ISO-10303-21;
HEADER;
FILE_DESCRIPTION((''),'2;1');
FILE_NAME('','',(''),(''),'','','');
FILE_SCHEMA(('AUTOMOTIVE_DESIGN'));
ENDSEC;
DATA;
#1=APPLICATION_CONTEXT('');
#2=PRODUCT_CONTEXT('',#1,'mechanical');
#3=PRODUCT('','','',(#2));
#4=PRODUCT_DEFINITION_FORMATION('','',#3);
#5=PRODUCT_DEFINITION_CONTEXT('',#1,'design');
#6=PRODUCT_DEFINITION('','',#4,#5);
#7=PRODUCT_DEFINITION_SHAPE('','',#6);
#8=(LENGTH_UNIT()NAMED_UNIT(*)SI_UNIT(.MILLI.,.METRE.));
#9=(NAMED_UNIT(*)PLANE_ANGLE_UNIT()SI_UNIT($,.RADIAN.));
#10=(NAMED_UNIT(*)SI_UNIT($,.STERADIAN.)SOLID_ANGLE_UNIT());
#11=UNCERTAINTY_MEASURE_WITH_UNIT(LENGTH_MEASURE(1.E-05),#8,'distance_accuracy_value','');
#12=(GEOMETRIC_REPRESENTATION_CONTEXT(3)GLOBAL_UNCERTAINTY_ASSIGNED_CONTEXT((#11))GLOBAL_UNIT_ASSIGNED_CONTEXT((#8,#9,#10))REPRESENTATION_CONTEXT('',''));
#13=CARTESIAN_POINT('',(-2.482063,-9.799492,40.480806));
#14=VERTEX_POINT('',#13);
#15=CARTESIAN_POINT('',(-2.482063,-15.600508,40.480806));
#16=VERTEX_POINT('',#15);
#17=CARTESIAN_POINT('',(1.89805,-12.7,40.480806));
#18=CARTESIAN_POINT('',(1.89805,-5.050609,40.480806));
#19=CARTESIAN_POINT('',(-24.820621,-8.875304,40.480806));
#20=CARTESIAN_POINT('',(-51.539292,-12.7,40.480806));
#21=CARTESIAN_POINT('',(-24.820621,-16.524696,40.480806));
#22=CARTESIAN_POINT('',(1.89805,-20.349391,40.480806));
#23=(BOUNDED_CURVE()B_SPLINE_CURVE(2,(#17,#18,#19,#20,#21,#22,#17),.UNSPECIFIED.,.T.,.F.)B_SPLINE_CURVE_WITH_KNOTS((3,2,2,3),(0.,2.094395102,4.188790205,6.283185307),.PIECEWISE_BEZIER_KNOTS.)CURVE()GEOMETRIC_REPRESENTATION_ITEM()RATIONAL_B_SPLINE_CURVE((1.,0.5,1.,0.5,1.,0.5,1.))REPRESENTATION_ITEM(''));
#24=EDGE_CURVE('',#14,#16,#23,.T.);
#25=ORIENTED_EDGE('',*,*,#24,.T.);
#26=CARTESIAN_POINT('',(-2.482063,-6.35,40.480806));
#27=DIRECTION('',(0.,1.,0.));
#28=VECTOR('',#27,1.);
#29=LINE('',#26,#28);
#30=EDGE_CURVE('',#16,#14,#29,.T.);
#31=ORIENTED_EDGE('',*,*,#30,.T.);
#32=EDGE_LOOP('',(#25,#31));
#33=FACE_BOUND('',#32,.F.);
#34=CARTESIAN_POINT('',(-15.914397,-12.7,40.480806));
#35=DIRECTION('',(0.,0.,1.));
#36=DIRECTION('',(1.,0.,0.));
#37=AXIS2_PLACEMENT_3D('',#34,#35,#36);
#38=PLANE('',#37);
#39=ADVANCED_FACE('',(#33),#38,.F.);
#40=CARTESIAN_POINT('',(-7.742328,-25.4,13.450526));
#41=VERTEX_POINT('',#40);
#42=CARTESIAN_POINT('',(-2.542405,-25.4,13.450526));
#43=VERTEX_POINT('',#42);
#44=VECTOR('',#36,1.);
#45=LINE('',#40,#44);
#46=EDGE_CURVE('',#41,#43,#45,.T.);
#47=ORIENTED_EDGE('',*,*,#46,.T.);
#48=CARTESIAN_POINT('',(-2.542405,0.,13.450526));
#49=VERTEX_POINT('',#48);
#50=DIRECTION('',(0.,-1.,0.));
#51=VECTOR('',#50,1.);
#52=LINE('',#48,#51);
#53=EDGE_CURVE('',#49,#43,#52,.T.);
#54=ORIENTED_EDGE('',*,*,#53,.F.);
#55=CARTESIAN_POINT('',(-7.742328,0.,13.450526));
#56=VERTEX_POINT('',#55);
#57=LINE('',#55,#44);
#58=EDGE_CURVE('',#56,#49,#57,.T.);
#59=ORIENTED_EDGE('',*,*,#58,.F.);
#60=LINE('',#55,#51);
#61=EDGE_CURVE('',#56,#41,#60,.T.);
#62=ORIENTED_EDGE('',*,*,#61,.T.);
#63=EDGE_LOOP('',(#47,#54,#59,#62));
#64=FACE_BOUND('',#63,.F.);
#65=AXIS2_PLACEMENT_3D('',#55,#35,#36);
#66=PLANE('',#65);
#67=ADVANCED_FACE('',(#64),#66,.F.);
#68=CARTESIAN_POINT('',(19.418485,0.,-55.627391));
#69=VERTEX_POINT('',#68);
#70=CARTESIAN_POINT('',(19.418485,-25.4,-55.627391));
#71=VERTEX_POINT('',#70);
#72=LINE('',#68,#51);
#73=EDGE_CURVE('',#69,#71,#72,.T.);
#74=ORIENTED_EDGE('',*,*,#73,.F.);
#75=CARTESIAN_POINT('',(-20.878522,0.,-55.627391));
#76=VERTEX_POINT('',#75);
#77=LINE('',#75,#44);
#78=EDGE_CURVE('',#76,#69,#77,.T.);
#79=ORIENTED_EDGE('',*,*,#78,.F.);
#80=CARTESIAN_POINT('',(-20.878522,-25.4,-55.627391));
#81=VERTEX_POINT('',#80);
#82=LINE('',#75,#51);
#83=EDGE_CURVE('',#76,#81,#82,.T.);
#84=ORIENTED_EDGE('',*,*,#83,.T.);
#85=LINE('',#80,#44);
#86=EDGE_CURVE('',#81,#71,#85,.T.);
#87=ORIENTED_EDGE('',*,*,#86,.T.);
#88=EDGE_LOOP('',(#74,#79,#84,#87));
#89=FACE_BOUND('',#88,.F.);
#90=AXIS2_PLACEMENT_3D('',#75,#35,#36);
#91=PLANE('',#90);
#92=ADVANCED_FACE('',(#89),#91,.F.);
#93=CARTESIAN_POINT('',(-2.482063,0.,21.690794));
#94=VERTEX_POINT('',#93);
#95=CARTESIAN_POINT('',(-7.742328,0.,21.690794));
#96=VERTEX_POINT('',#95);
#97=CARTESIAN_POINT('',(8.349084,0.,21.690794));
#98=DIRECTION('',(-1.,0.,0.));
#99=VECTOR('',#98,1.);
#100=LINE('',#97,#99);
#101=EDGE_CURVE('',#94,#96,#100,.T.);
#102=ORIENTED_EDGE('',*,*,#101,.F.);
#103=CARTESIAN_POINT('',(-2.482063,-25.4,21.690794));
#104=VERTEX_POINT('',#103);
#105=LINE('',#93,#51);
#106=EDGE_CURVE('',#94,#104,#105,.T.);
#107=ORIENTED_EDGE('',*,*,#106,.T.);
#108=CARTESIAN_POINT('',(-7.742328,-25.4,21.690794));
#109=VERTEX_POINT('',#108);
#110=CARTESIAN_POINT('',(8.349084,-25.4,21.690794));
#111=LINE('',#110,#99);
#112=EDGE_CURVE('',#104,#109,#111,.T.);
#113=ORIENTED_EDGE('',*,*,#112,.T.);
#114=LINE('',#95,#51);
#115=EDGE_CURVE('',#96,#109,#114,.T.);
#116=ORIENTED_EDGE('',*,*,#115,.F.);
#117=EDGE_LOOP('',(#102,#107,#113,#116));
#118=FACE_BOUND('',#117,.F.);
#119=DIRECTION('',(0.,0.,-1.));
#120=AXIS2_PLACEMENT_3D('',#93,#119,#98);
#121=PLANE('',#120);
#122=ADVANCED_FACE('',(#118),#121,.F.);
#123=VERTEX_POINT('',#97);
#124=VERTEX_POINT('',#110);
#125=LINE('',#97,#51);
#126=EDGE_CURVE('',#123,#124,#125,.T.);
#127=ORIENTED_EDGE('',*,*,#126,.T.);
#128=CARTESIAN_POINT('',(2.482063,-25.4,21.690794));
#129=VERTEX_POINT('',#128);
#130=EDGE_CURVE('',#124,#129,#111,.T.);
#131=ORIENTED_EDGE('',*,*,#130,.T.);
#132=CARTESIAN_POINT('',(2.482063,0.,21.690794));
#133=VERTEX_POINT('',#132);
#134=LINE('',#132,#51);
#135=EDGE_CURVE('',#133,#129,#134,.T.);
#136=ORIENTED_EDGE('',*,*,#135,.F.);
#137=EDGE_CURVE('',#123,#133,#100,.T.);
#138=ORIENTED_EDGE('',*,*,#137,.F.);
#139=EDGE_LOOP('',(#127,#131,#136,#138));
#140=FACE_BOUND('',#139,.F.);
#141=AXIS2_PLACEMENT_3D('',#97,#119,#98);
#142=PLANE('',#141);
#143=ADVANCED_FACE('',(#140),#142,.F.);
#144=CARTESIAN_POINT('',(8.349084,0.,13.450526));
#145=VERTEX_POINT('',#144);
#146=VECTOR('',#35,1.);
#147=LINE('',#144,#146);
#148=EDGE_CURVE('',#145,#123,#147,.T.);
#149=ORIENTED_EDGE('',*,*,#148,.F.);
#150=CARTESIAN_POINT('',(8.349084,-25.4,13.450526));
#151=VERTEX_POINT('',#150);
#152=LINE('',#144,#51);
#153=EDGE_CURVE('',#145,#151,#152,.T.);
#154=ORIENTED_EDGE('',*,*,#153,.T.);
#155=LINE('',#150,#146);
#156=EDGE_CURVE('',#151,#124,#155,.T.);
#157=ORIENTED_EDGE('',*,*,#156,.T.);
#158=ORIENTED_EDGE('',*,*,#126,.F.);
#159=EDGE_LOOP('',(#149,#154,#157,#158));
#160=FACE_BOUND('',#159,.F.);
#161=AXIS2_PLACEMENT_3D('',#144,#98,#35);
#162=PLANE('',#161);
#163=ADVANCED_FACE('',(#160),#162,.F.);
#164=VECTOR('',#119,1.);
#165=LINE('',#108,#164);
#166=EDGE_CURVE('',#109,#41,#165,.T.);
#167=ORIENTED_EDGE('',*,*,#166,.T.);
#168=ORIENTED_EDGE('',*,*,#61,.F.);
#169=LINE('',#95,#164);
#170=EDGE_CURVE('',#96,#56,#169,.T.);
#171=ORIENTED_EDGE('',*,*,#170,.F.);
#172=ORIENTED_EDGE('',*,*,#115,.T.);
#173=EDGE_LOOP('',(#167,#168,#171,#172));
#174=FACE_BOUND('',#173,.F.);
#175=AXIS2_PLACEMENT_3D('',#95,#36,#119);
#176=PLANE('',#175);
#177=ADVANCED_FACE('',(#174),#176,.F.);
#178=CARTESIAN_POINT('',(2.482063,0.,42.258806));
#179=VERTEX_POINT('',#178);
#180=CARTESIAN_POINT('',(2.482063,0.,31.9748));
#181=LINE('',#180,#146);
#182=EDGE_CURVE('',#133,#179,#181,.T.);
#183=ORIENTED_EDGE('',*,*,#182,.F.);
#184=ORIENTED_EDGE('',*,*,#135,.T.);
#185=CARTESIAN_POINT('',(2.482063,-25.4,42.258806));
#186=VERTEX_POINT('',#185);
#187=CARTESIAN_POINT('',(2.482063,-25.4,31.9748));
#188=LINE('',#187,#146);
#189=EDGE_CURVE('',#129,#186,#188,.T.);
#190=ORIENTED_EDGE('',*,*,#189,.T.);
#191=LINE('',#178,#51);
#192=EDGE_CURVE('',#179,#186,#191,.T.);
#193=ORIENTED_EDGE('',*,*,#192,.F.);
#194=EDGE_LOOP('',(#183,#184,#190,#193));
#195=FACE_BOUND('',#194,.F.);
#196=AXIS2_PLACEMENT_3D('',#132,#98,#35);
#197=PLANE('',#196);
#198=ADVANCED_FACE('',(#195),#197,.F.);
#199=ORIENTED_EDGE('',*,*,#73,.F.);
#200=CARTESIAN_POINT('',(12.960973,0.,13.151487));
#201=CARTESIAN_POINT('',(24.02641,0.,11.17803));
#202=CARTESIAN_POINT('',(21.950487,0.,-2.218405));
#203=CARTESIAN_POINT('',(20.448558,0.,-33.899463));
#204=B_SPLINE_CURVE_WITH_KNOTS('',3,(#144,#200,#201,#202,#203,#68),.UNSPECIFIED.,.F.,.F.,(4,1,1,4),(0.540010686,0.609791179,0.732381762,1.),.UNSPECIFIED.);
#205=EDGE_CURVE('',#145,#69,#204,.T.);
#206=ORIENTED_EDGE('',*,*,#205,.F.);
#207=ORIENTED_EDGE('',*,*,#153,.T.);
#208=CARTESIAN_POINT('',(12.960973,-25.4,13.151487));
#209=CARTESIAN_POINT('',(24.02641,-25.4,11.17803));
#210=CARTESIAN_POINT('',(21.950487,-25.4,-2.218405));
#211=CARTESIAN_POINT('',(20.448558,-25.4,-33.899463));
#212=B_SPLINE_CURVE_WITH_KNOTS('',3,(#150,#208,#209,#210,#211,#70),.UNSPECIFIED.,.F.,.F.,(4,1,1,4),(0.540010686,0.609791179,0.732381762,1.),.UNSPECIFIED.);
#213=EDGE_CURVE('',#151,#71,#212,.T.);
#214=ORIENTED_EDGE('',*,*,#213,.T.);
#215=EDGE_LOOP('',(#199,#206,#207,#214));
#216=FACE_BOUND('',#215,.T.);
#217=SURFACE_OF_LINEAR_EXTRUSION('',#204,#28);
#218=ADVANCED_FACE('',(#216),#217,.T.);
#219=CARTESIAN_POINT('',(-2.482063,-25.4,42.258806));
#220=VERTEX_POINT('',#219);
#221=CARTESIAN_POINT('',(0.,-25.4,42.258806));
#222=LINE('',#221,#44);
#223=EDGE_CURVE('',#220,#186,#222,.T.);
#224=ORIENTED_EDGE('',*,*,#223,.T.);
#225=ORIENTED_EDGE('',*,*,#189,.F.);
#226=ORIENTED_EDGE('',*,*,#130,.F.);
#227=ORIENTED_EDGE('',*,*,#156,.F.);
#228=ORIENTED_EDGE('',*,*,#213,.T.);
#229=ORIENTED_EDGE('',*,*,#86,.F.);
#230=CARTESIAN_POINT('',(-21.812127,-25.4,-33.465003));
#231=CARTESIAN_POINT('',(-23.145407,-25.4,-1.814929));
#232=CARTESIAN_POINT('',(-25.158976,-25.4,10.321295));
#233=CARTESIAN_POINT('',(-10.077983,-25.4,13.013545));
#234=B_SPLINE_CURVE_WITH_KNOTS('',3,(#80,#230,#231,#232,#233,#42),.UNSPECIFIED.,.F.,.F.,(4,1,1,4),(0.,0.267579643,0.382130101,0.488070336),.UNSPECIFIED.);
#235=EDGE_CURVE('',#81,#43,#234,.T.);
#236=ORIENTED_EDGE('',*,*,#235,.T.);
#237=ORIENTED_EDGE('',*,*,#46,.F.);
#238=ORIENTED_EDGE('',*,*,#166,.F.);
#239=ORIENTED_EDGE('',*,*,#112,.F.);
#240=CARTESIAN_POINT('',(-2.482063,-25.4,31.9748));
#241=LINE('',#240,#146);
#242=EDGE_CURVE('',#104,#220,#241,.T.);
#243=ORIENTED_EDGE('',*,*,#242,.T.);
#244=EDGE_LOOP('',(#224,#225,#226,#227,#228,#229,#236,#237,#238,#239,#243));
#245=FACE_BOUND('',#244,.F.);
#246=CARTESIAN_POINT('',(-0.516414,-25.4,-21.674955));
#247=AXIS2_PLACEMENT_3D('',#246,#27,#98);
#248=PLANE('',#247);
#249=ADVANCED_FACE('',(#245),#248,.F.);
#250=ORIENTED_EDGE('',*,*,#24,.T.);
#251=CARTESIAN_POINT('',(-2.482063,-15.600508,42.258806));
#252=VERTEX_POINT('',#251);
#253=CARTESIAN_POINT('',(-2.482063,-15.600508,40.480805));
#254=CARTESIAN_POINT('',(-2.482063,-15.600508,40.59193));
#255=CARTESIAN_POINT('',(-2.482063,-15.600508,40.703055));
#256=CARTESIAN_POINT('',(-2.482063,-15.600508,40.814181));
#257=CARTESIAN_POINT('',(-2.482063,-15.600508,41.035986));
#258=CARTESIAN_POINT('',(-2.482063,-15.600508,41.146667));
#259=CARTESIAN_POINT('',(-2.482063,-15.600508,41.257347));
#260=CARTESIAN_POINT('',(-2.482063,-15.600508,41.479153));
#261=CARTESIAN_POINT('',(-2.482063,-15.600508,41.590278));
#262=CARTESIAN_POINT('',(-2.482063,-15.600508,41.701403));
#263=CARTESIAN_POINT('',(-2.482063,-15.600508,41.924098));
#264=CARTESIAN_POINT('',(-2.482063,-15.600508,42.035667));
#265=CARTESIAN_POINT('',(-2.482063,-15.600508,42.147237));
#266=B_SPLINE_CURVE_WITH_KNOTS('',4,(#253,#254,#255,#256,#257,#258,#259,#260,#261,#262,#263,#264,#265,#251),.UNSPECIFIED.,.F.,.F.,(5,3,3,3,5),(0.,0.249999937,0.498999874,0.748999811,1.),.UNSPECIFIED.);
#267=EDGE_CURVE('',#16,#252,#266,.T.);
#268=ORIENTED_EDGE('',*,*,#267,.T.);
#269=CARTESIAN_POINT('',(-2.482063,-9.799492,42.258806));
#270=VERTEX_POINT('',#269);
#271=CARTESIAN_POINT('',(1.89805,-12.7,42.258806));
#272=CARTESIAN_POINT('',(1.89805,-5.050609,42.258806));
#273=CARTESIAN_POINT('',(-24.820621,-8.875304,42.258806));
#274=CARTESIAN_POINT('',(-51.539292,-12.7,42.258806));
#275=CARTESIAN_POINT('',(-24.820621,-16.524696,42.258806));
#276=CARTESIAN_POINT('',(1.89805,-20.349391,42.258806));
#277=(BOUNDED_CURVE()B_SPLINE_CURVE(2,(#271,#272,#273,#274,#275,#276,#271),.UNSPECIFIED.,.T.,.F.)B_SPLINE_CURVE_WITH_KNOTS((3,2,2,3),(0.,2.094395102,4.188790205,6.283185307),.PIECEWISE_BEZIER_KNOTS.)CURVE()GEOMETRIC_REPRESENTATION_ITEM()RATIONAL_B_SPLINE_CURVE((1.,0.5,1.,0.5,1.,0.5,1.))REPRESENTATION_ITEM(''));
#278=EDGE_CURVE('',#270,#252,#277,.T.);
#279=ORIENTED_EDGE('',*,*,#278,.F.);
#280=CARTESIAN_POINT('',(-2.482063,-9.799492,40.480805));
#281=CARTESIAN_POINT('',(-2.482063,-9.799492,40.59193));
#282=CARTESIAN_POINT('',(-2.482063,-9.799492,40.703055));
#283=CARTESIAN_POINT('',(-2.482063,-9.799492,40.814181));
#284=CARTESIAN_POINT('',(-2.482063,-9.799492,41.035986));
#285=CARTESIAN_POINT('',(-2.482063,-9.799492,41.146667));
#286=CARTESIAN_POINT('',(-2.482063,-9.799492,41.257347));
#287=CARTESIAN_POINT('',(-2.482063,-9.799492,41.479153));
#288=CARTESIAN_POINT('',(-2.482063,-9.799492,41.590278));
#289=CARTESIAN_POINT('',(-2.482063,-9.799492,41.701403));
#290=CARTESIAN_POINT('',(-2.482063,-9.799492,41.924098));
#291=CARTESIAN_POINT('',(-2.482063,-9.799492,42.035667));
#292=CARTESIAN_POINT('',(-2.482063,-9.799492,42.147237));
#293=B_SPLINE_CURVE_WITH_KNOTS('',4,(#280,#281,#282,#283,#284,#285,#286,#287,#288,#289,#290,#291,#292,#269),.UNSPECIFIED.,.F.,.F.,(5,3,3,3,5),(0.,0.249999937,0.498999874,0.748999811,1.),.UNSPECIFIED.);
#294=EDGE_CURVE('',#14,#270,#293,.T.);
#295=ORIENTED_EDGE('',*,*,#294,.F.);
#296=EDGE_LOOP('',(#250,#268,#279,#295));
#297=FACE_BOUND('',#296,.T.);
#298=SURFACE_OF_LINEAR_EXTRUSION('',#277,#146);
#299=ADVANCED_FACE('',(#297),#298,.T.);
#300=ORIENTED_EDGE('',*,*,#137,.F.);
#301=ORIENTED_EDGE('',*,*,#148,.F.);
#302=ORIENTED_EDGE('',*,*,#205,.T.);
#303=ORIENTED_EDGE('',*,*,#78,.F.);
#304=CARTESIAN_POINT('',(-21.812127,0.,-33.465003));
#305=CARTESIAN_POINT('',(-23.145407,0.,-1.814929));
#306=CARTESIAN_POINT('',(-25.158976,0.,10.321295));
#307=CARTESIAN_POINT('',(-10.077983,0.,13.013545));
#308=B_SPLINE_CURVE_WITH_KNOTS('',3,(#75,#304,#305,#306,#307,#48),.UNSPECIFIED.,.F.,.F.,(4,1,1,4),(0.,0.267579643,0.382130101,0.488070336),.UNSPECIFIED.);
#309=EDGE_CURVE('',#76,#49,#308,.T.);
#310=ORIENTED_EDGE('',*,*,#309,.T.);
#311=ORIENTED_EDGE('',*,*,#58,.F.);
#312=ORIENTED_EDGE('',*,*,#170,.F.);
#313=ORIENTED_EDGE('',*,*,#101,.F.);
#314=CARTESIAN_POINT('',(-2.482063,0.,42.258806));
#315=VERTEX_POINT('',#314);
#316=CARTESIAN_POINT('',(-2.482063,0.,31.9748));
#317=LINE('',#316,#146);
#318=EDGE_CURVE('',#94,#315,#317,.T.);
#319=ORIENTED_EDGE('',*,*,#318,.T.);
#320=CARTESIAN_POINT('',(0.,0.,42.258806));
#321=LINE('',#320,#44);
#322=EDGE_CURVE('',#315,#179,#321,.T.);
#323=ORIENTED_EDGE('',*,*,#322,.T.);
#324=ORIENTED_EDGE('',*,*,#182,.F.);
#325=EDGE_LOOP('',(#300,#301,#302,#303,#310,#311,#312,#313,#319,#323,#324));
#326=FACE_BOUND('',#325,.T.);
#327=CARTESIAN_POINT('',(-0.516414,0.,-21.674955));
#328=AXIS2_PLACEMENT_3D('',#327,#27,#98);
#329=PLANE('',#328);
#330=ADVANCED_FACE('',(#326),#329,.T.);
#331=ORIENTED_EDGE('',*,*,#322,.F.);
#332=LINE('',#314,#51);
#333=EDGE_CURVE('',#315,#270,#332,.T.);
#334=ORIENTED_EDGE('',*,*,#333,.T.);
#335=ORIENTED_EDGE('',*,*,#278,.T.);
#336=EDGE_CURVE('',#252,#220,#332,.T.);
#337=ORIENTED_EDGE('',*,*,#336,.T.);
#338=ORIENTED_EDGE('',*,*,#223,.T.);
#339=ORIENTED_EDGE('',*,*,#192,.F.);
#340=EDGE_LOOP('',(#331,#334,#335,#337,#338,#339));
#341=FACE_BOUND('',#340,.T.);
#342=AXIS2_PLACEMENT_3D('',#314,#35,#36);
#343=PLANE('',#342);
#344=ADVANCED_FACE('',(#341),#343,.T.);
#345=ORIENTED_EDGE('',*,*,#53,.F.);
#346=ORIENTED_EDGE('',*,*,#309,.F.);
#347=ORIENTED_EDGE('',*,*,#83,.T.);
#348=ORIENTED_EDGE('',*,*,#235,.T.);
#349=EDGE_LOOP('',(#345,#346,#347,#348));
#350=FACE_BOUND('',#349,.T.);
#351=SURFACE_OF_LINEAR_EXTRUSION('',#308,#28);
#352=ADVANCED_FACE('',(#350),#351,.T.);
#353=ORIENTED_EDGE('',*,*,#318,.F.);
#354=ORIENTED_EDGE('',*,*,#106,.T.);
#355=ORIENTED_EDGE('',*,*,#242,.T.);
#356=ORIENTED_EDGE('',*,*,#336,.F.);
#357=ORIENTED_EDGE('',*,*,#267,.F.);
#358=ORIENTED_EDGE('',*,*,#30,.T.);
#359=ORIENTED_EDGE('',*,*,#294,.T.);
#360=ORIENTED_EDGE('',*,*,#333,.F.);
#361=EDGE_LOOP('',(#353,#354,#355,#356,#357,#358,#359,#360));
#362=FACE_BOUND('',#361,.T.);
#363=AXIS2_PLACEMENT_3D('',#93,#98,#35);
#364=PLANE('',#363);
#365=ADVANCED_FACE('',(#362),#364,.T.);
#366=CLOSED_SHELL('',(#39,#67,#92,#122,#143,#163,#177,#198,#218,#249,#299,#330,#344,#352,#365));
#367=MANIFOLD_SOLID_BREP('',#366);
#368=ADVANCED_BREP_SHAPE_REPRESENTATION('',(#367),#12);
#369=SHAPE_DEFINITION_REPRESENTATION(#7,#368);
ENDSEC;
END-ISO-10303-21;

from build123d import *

# Parameters (mm, degrees)
F1_DEPTH = 25.4
F0_W     = 4.9641267397
F0_H     = 20.5680120253
F2_DEPTH = 25.4
F4_DEPTH = 1.778


with BuildPart() as f1:
    # F0 (on Front) → F1 (new body)
    with BuildSketch(Plane.XZ):
        with BuildLine():
            add(Edge.make_bspline(
                [(-2.5424052642, 13.4505262055), (1.1521358093, 13.6647690598), (4.9162748075, 13.6731126703), (8.3490842731, 13.4505262055)],
                knots=[0.4880703365, 0.4880703365, 0.4880703365, 0.4880703365, 0.5400106865, 0.5400106865, 0.5400106865, 0.5400106865], degree=3))
            Line((-2.5424052642, 13.4505262055), (8.3490842731, 13.4505262055))
        make_face()
    extrude(amount=F1_DEPTH)

    # F0 (on Front) → F2 (join)
    with BuildSketch(Plane.XZ):
        with BuildLine():
            add(Edge.make_bspline(
                [(-20.8785217255, -55.6273907423), (-21.8121267596, -33.4650030089), (-23.1454067557, -1.8149292086), (-25.1589760047, 10.3212946622), (-10.0779831552, 13.0135453506), (-2.5424052642, 13.4505262055)],
                knots=[0, 0, 0, 0, 0.2675796431, 0.3821301005, 0.4880703365, 0.4880703365, 0.4880703365, 0.4880703365], degree=3))
            Line((-20.8785217255, -55.6273907423), (19.4184854627, -55.6273907423))
            add(Edge.make_bspline(
                [(8.3490842731, 13.4505262055), (12.9609733748, 13.1514871526), (24.0264096091, 11.1780304821), (21.9504869715, -2.2184048812), (20.4485582955, -33.8994631834), (19.4184854627, -55.6273907423)],
                knots=[0.5400106865, 0.5400106865, 0.5400106865, 0.5400106865, 0.6097911787, 0.732381762, 1, 1, 1, 1], degree=3))
            Line((8.3490842731, 13.4505262055), (-2.5424052642, 13.4505262055))
        make_face()
        with BuildLine():
            Line((-7.7423275904, 13.4505262055), (-2.5424052642, 13.4505262055))
            add(Edge.make_bspline(
                [(-2.5424052642, 13.4505262055), (1.1521358093, 13.6647690598), (4.9162748075, 13.6731126703), (8.3490842731, 13.4505262055)],
                knots=[0.4880703365, 0.4880703365, 0.4880703365, 0.4880703365, 0.5400106865, 0.5400106865, 0.5400106865, 0.5400106865], degree=3))
            Line((8.3490842731, 13.4505262055), (8.3490842731, 21.6907939184))
            Line((8.3490842731, 21.6907939184), (2.4820633698, 21.6907939184))
            Line((2.4820633698, 21.6907939184), (-2.4820633698, 21.6907939184))
            Line((-2.4820633698, 21.6907939184), (-7.7423275904, 21.6907939184))
            Line((-7.7423275904, 21.6907939184), (-7.7423275904, 13.4505262055))
        make_face()
        with BuildLine():
            add(Edge.make_bspline(
                [(-2.5424052642, 13.4505262055), (1.1521358093, 13.6647690598), (4.9162748075, 13.6731126703), (8.3490842731, 13.4505262055)],
                knots=[0.4880703365, 0.4880703365, 0.4880703365, 0.4880703365, 0.5400106865, 0.5400106865, 0.5400106865, 0.5400106865], degree=3))
            Line((-2.5424052642, 13.4505262055), (8.3490842731, 13.4505262055))
        make_face()
        with Locations((0, 31.974799931)):
            Rectangle(F0_W, F0_H)
    extrude(amount=F2_DEPTH)

    # F3 (on face) → F4 (join)
    with BuildSketch(Plane.XY.offset(42.2588059437)):
        with BuildLine():
            add(Edge.make_bspline(
                [(1.8980501918, -12.7), (1.8980501918, -5.0506086184), (-24.8206210672, -8.8753043092), (-51.5392923262, -12.7), (-24.8206210672, -16.5246956908), (1.8980501918, -20.3493913816), (1.8980501918, -12.7)],
                knots=[0, 0, 0, 2.0943951024, 2.0943951024, 4.1887902048, 4.1887902048, 6.2831853072, 6.2831853072, 6.2831853072], degree=2, weights=[1, 0.5, 1, 0.5, 1, 0.5, 1]))
        make_face()
    extrude(amount=-F4_DEPTH)


solid = f1.part
